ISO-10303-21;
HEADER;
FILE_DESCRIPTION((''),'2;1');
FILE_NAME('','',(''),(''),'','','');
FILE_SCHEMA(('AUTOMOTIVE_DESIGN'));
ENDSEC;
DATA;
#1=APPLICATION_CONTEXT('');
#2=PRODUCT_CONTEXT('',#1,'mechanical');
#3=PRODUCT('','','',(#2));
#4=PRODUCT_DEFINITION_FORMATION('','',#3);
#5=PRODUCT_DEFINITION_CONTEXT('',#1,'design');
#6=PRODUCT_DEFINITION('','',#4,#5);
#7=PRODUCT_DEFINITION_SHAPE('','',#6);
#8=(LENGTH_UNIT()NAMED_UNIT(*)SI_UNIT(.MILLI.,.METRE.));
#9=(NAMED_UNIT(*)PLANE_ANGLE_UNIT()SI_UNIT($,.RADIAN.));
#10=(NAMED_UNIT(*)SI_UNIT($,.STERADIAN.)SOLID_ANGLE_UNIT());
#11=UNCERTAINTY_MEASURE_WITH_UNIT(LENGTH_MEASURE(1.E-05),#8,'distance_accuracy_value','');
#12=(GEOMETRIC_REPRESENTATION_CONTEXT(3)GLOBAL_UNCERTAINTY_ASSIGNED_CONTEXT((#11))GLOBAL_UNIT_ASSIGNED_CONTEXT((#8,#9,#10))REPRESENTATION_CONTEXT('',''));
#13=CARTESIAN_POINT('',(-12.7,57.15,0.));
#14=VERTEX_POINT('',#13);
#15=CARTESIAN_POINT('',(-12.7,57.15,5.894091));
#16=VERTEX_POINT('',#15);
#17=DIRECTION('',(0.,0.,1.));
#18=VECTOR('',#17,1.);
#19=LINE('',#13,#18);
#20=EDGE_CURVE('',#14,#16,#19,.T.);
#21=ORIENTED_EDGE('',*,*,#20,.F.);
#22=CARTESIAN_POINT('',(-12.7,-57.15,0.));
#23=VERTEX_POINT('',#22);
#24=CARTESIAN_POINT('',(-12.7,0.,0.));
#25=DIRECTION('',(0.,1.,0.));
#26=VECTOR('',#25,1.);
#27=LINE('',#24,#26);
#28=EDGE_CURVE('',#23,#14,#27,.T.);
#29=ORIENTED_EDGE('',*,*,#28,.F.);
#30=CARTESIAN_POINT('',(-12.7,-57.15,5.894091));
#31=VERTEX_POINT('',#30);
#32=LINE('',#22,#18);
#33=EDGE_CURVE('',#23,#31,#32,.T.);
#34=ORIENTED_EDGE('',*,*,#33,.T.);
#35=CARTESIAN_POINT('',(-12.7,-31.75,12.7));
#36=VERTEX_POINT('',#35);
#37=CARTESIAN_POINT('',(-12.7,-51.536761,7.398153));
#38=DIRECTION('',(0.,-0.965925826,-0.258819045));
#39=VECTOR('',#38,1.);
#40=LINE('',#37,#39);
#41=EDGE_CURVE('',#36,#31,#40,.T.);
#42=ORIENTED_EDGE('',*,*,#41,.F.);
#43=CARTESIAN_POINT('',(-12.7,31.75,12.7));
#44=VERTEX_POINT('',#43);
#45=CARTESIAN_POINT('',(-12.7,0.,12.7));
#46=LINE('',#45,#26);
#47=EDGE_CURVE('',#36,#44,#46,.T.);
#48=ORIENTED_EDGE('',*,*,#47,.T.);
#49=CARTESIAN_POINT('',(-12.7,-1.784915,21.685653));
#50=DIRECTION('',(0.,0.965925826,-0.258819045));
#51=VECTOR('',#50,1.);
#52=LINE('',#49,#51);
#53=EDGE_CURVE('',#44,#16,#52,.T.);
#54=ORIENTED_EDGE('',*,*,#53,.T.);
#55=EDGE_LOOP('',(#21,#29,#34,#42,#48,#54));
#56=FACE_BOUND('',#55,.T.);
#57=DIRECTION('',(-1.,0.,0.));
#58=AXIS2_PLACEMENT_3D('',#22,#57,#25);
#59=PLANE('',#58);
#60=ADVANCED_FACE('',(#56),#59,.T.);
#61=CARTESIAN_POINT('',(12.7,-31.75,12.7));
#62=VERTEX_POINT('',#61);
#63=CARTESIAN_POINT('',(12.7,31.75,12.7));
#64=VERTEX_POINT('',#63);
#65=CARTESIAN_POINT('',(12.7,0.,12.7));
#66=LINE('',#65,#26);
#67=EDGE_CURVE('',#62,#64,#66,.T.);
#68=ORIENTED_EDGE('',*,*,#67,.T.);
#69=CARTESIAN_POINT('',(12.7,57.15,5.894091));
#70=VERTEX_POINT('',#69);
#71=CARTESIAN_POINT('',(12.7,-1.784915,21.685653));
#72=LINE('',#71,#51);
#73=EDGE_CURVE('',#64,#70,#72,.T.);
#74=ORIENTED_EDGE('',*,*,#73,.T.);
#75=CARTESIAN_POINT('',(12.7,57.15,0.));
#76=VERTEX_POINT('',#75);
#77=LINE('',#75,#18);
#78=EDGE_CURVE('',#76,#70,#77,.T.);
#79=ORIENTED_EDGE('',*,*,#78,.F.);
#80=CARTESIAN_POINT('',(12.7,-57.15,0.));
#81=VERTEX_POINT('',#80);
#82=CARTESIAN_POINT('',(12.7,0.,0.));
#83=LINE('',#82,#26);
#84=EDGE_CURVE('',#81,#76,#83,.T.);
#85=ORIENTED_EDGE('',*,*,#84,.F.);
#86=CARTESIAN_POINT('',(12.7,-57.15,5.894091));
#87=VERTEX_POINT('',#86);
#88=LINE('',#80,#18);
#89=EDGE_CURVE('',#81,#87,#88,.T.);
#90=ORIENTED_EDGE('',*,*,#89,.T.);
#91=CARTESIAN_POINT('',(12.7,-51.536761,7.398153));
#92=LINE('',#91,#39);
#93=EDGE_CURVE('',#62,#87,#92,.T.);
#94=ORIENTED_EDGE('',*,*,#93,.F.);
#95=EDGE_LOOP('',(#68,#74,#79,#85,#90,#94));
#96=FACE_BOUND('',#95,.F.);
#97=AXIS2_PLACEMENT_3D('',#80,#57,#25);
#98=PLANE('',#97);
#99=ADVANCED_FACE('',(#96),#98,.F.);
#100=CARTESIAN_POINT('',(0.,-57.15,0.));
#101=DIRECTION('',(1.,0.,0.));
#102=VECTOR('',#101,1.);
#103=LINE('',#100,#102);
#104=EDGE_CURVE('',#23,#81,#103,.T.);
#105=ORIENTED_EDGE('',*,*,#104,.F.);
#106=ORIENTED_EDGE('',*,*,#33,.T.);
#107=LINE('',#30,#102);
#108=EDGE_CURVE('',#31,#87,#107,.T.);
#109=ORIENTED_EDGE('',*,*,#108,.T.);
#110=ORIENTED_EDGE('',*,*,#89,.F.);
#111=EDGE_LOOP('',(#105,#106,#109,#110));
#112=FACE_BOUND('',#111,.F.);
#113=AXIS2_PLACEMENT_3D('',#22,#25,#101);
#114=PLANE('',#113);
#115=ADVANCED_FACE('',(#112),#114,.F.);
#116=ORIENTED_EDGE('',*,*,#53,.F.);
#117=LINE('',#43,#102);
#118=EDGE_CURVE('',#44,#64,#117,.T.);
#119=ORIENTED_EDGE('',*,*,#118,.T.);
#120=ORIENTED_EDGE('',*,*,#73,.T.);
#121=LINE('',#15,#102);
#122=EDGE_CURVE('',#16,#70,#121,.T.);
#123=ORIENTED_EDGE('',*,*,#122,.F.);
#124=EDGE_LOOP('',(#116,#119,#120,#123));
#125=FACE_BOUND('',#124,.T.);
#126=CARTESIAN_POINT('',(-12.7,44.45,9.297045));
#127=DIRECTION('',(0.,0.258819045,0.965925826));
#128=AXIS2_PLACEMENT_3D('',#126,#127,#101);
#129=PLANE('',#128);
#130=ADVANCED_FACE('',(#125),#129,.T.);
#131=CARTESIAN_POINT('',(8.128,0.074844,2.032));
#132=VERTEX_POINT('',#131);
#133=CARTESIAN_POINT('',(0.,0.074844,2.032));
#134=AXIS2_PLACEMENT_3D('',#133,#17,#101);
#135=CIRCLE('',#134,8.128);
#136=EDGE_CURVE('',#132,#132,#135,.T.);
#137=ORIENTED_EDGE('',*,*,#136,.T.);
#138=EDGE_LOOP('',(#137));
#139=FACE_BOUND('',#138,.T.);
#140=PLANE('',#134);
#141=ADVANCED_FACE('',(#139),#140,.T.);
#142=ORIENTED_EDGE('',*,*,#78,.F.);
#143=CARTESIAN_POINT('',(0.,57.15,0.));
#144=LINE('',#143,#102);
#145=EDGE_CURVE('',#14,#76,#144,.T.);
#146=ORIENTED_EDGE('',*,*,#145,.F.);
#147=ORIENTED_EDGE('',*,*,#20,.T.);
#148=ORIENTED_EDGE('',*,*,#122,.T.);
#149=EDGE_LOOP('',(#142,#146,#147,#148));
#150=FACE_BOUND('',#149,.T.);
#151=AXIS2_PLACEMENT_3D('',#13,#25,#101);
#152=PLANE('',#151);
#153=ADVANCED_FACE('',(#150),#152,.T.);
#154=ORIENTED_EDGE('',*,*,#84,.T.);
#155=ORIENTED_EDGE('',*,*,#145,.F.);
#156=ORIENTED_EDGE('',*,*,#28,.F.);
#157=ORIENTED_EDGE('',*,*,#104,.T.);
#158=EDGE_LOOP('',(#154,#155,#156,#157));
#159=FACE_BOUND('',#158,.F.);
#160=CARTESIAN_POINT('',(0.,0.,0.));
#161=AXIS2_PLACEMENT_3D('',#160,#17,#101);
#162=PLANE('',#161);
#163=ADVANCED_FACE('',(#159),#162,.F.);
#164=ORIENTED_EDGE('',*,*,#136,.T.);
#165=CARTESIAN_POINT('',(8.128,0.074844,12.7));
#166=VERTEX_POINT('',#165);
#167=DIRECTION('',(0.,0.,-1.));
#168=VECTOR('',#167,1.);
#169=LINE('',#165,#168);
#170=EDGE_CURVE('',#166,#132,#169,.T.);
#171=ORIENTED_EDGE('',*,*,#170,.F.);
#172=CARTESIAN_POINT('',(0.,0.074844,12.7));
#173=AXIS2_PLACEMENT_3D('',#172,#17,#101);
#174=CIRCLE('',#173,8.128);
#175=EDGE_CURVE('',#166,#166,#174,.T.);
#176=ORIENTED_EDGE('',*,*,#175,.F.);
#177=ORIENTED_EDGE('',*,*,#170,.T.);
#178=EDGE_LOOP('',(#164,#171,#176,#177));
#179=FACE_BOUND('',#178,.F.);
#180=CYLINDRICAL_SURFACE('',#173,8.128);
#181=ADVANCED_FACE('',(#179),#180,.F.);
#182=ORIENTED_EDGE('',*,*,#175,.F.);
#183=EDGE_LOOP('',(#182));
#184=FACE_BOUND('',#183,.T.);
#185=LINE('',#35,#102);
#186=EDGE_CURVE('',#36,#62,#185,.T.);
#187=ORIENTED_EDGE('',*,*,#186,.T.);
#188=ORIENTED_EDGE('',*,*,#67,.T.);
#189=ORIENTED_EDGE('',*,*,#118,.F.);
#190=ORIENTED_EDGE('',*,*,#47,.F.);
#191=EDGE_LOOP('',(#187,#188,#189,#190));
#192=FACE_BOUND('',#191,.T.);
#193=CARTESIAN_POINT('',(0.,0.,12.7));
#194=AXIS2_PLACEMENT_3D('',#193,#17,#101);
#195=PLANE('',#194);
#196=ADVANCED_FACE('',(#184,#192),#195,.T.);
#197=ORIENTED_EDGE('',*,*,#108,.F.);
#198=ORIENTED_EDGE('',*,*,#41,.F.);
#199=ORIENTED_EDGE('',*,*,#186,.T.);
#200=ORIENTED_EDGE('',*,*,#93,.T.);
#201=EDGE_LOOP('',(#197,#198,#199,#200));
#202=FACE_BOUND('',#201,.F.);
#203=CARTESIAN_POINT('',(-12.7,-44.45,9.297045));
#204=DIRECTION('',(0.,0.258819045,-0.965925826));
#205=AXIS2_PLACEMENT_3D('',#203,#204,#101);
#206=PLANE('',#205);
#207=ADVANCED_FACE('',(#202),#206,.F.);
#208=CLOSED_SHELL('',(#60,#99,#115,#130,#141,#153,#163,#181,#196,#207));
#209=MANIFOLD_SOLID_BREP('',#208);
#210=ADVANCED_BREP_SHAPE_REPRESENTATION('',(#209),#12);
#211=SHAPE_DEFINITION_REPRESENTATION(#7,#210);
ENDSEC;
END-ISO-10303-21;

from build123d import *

# Parameters (mm, degrees)
F0_W     = 25.4
F0_H     = 114.3
F1_DEPTH = 12.7
F2_R     = 8.128
F3_DEPTH = 10.668
F4_SIZE2 = 6.8059094878
F4_SIZE  = 25.4
F5_SIZE2 = 6.8059094878
F5_SIZE  = 25.4


with BuildPart() as f1:
    # F0 (on Top) → F1 (new body)
    with BuildSketch(Plane.XY):
        Rectangle(F0_W, F0_H)
    extrude(amount=F1_DEPTH)

    # F2 (on face) → F3 (cut)
    with BuildSketch(Plane.XY.offset(12.7)):
        with Locations((0, 0.0748441894)):
            Circle(F2_R)
    extrude(amount=-F3_DEPTH, mode=Mode.SUBTRACT)

    # F4
    f4_edges = [f1.edges().sort_by_distance(p)[0] for p in [
        (0, 57.15, 12.7),
    ]]
    f4_side = f1.faces().sort_by_distance((11.529118, 0, 12.7))[0]
    chamfer(f4_edges, length=F4_SIZE, length2=F4_SIZE2, reference=f4_side)

    # F5
    f5_edges = [f1.edges().sort_by_distance(p)[0] for p in [
        (0, -57.15, 12.7),
    ]]
    f5_side = f1.faces().sort_by_distance((0, -13.993035, 12.7))[0]
    chamfer(f5_edges, length=F5_SIZE, length2=F5_SIZE2, reference=f5_side)


solid = f1.part
